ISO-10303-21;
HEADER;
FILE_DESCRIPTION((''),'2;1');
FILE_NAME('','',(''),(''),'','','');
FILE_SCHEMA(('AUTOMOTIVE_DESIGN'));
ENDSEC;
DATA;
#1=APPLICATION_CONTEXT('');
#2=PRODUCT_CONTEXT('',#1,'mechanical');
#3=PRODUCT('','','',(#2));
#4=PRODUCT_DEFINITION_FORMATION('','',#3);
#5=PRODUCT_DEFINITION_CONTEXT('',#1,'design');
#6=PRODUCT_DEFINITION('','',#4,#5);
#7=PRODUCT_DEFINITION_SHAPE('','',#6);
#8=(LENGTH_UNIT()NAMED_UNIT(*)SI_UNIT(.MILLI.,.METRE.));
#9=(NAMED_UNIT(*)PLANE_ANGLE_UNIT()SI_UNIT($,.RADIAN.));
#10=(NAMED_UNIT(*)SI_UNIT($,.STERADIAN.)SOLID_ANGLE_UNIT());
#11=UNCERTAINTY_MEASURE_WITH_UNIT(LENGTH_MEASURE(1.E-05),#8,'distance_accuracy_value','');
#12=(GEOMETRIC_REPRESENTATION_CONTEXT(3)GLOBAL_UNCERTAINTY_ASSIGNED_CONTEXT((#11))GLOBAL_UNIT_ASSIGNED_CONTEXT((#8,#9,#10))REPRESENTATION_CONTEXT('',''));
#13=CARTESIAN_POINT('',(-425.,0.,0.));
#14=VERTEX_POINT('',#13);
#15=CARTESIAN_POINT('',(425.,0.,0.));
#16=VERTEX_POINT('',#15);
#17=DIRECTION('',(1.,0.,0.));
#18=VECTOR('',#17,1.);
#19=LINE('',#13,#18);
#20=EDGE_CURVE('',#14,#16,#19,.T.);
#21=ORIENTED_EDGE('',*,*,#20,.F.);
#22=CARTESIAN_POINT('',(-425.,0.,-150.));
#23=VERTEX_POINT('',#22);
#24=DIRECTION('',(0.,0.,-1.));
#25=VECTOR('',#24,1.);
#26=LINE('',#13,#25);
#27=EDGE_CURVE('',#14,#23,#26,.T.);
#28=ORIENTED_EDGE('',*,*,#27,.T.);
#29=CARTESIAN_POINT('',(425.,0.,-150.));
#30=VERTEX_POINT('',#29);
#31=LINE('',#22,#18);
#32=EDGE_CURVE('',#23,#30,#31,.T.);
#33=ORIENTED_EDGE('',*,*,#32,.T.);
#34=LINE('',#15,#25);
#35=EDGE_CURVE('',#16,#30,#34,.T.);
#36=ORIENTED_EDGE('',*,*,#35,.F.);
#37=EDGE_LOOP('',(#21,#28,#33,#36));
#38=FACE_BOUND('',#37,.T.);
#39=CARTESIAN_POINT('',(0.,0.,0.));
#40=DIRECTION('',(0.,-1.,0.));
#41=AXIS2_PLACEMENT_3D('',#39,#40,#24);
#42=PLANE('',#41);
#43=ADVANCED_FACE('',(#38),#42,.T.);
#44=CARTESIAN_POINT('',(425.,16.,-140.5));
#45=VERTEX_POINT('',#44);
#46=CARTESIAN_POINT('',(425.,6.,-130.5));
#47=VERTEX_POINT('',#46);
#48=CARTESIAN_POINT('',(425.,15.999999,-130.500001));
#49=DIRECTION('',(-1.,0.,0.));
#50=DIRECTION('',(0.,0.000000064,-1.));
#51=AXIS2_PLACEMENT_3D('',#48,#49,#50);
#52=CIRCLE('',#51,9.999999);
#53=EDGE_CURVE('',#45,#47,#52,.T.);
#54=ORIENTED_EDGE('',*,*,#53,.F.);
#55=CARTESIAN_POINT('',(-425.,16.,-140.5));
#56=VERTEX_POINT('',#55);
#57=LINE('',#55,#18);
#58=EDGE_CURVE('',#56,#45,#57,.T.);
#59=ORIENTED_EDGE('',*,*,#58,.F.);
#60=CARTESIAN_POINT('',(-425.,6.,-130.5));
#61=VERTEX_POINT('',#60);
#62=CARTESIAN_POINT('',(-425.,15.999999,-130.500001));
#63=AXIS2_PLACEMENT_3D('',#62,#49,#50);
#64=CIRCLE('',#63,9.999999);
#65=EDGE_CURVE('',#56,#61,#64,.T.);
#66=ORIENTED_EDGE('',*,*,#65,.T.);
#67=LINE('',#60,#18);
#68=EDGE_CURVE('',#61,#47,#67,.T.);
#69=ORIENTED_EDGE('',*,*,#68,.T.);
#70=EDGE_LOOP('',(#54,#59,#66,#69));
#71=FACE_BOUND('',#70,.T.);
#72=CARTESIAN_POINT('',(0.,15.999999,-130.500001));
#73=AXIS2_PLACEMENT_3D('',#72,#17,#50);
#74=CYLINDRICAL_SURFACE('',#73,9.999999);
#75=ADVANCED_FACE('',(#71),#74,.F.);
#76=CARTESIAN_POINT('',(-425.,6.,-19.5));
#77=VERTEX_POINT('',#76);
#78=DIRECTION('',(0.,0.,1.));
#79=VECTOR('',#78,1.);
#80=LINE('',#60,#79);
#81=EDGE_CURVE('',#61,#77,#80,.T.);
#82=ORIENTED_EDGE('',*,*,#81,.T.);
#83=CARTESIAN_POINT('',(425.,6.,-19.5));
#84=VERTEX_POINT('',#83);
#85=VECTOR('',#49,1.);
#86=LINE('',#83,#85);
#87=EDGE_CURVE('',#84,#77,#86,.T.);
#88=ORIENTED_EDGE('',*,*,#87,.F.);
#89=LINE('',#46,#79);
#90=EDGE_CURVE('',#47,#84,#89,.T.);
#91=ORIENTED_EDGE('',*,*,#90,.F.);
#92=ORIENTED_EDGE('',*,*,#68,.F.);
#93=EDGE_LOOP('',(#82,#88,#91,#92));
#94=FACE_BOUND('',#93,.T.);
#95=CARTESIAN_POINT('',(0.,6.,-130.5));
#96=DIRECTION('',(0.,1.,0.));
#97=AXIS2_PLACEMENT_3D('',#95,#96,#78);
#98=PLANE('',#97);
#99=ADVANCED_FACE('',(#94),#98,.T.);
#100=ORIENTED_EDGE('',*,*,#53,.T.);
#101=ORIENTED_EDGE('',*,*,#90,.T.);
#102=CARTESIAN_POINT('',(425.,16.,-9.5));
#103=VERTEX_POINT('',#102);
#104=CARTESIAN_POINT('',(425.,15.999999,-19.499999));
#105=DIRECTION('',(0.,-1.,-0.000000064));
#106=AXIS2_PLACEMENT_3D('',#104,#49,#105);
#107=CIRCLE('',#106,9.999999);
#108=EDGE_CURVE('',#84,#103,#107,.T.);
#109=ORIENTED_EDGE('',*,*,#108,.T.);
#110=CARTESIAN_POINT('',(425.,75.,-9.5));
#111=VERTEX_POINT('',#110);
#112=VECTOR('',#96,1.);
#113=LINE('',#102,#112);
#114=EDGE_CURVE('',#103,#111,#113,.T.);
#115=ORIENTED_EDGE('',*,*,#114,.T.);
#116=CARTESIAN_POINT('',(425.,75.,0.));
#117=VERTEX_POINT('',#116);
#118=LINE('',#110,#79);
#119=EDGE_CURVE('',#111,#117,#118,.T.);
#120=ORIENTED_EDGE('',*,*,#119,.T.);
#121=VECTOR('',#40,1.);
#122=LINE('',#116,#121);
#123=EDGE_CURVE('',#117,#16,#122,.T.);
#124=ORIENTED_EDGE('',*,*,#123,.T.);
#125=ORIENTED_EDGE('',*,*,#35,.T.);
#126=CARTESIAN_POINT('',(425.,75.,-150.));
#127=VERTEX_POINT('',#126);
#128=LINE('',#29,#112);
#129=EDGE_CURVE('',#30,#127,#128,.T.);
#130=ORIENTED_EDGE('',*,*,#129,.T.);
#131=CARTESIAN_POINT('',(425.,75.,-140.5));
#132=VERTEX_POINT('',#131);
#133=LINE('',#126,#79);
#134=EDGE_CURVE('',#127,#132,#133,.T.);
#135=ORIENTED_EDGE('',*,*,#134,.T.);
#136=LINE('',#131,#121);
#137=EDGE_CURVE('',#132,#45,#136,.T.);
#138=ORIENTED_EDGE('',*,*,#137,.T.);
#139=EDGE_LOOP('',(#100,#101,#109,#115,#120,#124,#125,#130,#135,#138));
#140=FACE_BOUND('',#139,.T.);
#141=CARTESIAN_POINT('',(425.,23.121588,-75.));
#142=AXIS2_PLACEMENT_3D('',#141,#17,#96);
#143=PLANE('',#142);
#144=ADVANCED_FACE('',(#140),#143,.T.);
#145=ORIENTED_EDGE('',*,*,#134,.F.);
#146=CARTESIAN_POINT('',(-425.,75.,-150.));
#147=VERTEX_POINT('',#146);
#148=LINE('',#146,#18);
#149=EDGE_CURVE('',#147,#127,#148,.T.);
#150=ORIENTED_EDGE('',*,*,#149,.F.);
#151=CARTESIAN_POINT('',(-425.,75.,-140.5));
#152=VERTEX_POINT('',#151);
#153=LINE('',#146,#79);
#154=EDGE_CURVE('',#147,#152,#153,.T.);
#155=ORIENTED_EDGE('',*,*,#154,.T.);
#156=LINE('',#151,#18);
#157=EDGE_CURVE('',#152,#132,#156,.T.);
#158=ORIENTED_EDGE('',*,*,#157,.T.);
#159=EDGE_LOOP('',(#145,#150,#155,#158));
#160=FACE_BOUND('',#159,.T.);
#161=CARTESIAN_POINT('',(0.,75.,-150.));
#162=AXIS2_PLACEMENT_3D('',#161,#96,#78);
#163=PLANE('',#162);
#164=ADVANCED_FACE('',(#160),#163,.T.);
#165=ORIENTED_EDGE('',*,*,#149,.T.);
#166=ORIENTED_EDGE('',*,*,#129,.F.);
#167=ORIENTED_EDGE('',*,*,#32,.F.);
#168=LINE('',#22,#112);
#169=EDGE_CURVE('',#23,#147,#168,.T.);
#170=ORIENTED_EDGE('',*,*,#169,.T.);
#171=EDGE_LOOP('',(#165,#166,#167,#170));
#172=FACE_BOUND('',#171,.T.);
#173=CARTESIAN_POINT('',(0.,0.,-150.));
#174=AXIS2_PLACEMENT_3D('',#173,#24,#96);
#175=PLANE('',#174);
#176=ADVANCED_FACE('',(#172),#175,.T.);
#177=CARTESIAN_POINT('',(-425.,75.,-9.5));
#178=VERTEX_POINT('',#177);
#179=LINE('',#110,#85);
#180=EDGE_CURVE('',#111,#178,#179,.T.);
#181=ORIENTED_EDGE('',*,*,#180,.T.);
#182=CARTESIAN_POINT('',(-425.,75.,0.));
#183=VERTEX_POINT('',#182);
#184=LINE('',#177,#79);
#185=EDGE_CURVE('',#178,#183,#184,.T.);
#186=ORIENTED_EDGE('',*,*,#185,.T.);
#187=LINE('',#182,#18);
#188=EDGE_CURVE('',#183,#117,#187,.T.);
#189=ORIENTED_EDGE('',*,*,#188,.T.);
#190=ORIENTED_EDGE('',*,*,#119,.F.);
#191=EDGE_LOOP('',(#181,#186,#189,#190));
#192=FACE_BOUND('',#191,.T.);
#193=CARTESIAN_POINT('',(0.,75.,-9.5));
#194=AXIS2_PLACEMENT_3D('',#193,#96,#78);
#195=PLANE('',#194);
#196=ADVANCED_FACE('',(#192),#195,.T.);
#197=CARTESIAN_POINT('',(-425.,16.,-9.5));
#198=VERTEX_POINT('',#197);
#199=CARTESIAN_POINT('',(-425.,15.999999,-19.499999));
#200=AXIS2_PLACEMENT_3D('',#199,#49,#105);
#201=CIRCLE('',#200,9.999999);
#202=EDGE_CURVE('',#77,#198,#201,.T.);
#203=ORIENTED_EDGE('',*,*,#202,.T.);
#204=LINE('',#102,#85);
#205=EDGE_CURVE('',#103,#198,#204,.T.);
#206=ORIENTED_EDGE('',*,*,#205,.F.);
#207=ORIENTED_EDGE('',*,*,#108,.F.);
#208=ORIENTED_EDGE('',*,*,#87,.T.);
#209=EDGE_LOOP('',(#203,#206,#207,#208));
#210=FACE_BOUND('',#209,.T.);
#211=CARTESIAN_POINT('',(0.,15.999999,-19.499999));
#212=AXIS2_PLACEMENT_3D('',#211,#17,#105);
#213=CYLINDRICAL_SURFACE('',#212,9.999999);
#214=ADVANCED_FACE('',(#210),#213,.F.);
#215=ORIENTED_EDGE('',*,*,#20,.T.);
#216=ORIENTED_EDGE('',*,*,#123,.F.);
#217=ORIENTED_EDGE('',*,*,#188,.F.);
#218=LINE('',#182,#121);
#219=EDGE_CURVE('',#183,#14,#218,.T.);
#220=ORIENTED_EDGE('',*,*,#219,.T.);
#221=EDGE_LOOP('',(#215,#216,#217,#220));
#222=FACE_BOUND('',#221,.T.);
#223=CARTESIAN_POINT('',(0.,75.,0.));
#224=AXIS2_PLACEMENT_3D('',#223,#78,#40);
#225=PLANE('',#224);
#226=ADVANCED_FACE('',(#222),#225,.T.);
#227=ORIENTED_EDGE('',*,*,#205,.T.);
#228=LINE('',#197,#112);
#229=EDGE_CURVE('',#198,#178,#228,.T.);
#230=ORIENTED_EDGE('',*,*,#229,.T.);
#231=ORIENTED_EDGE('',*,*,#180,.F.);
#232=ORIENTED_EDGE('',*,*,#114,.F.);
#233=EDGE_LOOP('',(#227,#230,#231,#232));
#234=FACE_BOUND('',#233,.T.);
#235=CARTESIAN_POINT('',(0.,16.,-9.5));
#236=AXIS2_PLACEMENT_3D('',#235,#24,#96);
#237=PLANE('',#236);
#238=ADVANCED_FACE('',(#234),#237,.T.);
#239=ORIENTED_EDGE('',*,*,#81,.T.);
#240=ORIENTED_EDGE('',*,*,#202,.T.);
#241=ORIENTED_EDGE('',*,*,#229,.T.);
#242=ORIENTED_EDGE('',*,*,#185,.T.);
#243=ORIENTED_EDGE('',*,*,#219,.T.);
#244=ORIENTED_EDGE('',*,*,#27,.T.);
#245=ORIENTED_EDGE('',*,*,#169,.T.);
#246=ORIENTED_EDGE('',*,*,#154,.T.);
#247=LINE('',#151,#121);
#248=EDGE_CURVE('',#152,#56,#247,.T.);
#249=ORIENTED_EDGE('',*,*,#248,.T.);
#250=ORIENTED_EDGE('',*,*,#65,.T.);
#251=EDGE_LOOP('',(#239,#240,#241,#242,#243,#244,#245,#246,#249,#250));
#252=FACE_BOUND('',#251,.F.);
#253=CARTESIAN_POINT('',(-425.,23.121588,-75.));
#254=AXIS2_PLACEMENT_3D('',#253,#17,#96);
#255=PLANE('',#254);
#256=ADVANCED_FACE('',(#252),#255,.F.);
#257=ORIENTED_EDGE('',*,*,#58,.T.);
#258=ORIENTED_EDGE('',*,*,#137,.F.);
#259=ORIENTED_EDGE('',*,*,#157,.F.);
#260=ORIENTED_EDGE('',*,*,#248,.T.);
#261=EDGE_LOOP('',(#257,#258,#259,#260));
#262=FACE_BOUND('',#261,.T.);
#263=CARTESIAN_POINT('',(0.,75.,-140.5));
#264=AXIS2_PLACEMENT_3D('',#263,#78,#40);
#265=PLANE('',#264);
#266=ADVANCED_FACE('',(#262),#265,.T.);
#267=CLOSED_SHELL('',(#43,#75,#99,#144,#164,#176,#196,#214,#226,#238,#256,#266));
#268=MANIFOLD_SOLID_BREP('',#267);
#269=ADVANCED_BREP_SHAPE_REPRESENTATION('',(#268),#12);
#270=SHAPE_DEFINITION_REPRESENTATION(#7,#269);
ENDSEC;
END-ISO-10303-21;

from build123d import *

# Parameters (mm, degrees)
F1_DEPTH = 425


with BuildPart() as f1:
    # F0 (on Right) → F1 (new body, symmetric)
    with BuildSketch(Plane.YZ):
        with BuildLine():
            Line((75, -9.5), (75, 0))
            Line((75, 0), (0, 0))
            Line((0, 0), (0, -150))
            Line((0, -150), (75, -150))
            Line((75, -150), (75, -140.5))
            Line((75, -140.5), (16, -140.5))
            ThreePointArc((16, -140.5), (8.928932, -137.571068), (6, -130.5))
            Line((6, -130.5), (6, -19.5))
            ThreePointArc((6, -19.5), (8.928932, -12.428932), (16, -9.5))
            Line((16, -9.5), (75, -9.5))
        make_face()
    extrude(amount=F1_DEPTH, both=True)


solid = f1.part
